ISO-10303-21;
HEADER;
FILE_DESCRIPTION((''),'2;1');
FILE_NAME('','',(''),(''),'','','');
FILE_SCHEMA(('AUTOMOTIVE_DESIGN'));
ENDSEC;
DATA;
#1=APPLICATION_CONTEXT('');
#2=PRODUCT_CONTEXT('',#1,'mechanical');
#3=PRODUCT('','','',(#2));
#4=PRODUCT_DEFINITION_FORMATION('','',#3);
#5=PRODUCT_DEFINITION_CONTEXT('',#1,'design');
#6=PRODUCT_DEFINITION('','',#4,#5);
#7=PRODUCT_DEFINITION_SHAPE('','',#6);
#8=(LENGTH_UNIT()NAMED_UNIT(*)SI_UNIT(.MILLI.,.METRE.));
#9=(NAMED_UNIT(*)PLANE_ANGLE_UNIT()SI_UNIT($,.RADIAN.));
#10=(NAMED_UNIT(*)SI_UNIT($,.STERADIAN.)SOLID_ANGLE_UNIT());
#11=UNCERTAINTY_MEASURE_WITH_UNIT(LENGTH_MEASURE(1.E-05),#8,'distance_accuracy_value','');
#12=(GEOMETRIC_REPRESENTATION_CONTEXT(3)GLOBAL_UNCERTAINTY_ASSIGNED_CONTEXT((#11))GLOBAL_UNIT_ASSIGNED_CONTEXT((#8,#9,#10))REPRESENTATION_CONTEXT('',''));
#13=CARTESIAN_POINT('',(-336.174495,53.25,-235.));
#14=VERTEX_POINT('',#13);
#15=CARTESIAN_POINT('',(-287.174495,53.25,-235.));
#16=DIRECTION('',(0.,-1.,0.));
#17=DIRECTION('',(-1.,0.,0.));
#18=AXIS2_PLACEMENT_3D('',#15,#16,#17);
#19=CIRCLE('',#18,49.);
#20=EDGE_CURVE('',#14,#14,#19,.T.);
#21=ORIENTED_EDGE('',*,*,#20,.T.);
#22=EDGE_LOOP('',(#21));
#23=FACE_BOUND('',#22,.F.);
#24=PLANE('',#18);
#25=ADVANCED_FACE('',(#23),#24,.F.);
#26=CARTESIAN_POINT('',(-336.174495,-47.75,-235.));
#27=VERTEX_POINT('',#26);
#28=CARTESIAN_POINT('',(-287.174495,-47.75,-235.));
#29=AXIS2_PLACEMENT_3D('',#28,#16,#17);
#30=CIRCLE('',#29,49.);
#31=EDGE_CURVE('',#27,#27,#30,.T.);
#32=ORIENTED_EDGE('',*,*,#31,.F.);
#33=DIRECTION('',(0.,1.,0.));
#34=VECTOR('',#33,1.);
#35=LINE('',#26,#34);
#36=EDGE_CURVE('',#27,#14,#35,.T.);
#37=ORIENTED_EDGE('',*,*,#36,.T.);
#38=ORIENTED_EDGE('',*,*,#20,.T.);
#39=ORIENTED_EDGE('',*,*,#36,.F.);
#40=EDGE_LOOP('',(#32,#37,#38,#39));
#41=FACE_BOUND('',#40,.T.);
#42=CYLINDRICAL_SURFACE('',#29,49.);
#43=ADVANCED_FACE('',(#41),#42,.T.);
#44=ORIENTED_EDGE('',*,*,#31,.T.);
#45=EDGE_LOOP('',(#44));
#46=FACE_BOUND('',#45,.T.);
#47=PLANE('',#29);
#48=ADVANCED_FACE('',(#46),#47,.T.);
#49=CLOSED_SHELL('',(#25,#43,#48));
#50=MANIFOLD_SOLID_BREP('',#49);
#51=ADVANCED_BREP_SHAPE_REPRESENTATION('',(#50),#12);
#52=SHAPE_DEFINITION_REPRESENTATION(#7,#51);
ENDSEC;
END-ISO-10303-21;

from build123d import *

# Parameters (mm, degrees)
SKETCH1_R           = 49
BOSS_EXTRUDE1_DEPTH = 101


with BuildPart() as part:
    # Sketch1 → Boss-Extrude1 (new body)
    with BuildSketch(Plane(origin=(0, -47.75, 0), x_dir=(-1, 0, 0), z_dir=(0, -1, 0))):
        with Locations((287.174494692, 235)):
            Circle(SKETCH1_R)
    extrude(amount=-BOSS_EXTRUDE1_DEPTH)


solid = part.part
